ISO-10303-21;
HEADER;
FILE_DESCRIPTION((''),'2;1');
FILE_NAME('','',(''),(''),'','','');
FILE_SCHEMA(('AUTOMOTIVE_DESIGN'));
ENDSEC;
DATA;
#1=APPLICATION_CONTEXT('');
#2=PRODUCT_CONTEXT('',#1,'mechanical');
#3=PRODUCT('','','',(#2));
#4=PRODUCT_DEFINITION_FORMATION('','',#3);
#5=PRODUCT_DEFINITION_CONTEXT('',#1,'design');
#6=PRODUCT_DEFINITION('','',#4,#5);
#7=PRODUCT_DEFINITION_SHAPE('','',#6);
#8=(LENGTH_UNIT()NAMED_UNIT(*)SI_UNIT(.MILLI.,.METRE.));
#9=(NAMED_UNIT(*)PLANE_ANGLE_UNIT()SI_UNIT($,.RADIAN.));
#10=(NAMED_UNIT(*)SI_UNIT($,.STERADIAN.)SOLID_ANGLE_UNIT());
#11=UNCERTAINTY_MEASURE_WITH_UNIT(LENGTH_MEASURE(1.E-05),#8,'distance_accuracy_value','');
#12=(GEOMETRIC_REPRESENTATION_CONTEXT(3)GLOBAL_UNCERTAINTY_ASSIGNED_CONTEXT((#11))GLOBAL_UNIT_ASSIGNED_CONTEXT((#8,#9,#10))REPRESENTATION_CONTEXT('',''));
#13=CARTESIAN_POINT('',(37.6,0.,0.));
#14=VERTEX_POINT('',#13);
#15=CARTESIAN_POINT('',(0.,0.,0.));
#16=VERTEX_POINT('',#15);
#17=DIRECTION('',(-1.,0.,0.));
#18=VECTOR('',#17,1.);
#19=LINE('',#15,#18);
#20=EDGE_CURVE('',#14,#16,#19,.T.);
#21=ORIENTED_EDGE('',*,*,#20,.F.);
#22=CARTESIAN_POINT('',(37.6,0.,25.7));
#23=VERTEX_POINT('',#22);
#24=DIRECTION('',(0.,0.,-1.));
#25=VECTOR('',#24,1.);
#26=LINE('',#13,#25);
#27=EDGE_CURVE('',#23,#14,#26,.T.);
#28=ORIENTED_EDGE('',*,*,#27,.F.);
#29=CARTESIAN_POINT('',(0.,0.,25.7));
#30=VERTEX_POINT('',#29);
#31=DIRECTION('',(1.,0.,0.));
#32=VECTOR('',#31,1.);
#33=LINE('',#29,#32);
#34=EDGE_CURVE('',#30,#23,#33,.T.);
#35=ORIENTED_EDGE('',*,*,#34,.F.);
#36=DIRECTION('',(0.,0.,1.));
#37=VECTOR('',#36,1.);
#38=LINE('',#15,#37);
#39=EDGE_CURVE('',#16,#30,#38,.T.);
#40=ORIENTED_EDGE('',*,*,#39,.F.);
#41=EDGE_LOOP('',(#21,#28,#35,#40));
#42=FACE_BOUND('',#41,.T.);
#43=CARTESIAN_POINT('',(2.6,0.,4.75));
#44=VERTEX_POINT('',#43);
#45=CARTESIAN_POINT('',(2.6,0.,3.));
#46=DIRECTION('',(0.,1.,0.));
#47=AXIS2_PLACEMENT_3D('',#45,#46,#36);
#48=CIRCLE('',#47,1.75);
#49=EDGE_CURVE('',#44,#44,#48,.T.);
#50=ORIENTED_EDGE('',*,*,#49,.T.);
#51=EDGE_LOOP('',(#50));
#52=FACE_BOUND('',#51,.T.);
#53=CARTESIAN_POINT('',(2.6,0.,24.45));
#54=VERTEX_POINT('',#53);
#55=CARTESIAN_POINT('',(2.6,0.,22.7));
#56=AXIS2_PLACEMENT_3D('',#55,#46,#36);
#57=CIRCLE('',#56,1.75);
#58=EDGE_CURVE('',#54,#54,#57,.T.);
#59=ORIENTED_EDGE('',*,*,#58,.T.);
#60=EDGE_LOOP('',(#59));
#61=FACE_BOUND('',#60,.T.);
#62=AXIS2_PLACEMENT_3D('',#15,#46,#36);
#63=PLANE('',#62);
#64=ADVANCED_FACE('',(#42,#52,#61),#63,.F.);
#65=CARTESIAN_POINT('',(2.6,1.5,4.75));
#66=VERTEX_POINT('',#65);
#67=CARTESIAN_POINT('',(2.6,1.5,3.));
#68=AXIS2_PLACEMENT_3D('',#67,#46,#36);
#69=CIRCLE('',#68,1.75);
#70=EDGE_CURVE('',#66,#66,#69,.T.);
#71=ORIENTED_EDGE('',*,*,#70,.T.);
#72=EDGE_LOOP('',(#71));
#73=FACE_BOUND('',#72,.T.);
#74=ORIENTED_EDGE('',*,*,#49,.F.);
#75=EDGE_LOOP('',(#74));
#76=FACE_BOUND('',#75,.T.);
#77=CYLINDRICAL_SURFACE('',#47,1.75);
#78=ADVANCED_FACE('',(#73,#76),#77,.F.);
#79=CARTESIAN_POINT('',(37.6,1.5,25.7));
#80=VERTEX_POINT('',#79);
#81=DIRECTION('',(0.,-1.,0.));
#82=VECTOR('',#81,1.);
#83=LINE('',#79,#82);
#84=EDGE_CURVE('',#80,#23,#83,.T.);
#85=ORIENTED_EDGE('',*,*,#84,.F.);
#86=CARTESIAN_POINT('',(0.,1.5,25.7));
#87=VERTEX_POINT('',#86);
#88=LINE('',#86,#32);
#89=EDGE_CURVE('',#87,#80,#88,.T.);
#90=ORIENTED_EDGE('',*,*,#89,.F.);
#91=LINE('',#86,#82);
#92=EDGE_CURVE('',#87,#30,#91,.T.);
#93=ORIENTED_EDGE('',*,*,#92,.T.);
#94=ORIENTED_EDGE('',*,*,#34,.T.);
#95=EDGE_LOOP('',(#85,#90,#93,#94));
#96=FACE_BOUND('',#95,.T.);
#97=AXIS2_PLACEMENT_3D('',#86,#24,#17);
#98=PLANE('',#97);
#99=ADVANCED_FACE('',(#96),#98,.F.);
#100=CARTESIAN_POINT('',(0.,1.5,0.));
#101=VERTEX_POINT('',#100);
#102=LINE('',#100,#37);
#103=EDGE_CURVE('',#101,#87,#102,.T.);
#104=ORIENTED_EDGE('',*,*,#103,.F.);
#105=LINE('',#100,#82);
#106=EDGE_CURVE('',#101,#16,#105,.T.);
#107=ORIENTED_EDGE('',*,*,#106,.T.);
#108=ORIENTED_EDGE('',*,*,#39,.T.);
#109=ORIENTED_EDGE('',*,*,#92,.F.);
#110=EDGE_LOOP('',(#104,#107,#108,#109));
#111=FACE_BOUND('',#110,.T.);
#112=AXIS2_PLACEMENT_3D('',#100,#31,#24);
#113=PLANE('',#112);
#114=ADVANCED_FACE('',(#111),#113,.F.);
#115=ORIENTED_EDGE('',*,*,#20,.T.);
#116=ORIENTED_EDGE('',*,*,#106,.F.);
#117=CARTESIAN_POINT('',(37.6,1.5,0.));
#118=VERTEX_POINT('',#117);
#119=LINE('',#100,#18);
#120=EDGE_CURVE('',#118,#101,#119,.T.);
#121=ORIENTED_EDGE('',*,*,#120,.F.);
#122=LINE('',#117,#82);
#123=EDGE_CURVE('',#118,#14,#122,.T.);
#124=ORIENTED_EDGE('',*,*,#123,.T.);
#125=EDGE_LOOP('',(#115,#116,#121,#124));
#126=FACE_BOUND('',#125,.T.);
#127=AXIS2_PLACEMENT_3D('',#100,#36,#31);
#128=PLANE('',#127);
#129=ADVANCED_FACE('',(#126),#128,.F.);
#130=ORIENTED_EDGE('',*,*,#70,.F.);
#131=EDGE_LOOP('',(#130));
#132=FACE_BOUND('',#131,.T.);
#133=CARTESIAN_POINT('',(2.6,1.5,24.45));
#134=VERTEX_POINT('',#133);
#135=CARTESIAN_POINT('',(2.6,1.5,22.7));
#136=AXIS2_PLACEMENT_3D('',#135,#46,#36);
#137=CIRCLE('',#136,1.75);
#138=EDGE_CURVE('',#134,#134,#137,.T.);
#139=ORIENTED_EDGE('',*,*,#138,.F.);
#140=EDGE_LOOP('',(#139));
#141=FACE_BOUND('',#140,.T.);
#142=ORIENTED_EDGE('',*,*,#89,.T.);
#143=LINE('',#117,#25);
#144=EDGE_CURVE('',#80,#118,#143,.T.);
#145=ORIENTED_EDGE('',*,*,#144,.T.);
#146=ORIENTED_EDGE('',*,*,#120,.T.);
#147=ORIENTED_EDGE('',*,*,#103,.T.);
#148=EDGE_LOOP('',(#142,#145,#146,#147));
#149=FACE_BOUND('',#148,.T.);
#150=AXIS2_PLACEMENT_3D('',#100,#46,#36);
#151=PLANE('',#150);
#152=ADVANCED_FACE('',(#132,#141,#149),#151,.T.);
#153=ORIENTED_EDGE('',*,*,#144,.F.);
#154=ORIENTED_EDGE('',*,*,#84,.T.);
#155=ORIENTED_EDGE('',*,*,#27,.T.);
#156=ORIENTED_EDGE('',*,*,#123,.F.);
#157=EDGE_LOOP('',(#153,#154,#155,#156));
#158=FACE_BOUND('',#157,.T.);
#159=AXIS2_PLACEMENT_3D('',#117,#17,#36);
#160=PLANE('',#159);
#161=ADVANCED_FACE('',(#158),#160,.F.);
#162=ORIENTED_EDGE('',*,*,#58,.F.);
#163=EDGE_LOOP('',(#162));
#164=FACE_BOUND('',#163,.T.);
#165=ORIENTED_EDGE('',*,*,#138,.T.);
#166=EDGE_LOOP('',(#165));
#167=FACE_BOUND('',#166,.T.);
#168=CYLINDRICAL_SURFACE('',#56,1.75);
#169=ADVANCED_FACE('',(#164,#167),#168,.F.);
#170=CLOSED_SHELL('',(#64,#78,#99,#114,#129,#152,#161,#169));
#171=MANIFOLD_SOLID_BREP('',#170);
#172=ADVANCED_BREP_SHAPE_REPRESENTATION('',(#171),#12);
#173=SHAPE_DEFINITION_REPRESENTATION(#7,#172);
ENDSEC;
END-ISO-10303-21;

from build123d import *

# Parameters (mm, degrees)
SKETCH1_W           = 37.6
SKETCH1_H           = 25.7
BOSS_EXTRUDE1_DEPTH = 1.5
SKETCH2_R           = 1.75
CUT_EXTRUDE1_DEPTH  = 1.5


with BuildPart() as part:
    # Sketch1 → Boss-Extrude1 (new body)
    with BuildSketch(Plane(origin=(0, 0, 0), x_dir=(1, 0, 0), z_dir=(0, 1, 0))):
        with Locations((18.8, -12.85)):
            Rectangle(SKETCH1_W, SKETCH1_H)
    extrude(amount=BOSS_EXTRUDE1_DEPTH)

    # Sketch2 → Cut-Extrude1 (cut)
    with BuildSketch(Plane(origin=(0, 1.5, 0), x_dir=(1, 0, 0), z_dir=(0, 1, 0))):
        with Locations(Location((2.6, -3, 0), (0, 0, 270))):
            Circle(SKETCH2_R)
        with Locations(Location((2.6, -22.7, 0), (0, 0, 270))):
            Circle(SKETCH2_R)
    extrude(amount=-CUT_EXTRUDE1_DEPTH, mode=Mode.SUBTRACT)


solid = part.part
